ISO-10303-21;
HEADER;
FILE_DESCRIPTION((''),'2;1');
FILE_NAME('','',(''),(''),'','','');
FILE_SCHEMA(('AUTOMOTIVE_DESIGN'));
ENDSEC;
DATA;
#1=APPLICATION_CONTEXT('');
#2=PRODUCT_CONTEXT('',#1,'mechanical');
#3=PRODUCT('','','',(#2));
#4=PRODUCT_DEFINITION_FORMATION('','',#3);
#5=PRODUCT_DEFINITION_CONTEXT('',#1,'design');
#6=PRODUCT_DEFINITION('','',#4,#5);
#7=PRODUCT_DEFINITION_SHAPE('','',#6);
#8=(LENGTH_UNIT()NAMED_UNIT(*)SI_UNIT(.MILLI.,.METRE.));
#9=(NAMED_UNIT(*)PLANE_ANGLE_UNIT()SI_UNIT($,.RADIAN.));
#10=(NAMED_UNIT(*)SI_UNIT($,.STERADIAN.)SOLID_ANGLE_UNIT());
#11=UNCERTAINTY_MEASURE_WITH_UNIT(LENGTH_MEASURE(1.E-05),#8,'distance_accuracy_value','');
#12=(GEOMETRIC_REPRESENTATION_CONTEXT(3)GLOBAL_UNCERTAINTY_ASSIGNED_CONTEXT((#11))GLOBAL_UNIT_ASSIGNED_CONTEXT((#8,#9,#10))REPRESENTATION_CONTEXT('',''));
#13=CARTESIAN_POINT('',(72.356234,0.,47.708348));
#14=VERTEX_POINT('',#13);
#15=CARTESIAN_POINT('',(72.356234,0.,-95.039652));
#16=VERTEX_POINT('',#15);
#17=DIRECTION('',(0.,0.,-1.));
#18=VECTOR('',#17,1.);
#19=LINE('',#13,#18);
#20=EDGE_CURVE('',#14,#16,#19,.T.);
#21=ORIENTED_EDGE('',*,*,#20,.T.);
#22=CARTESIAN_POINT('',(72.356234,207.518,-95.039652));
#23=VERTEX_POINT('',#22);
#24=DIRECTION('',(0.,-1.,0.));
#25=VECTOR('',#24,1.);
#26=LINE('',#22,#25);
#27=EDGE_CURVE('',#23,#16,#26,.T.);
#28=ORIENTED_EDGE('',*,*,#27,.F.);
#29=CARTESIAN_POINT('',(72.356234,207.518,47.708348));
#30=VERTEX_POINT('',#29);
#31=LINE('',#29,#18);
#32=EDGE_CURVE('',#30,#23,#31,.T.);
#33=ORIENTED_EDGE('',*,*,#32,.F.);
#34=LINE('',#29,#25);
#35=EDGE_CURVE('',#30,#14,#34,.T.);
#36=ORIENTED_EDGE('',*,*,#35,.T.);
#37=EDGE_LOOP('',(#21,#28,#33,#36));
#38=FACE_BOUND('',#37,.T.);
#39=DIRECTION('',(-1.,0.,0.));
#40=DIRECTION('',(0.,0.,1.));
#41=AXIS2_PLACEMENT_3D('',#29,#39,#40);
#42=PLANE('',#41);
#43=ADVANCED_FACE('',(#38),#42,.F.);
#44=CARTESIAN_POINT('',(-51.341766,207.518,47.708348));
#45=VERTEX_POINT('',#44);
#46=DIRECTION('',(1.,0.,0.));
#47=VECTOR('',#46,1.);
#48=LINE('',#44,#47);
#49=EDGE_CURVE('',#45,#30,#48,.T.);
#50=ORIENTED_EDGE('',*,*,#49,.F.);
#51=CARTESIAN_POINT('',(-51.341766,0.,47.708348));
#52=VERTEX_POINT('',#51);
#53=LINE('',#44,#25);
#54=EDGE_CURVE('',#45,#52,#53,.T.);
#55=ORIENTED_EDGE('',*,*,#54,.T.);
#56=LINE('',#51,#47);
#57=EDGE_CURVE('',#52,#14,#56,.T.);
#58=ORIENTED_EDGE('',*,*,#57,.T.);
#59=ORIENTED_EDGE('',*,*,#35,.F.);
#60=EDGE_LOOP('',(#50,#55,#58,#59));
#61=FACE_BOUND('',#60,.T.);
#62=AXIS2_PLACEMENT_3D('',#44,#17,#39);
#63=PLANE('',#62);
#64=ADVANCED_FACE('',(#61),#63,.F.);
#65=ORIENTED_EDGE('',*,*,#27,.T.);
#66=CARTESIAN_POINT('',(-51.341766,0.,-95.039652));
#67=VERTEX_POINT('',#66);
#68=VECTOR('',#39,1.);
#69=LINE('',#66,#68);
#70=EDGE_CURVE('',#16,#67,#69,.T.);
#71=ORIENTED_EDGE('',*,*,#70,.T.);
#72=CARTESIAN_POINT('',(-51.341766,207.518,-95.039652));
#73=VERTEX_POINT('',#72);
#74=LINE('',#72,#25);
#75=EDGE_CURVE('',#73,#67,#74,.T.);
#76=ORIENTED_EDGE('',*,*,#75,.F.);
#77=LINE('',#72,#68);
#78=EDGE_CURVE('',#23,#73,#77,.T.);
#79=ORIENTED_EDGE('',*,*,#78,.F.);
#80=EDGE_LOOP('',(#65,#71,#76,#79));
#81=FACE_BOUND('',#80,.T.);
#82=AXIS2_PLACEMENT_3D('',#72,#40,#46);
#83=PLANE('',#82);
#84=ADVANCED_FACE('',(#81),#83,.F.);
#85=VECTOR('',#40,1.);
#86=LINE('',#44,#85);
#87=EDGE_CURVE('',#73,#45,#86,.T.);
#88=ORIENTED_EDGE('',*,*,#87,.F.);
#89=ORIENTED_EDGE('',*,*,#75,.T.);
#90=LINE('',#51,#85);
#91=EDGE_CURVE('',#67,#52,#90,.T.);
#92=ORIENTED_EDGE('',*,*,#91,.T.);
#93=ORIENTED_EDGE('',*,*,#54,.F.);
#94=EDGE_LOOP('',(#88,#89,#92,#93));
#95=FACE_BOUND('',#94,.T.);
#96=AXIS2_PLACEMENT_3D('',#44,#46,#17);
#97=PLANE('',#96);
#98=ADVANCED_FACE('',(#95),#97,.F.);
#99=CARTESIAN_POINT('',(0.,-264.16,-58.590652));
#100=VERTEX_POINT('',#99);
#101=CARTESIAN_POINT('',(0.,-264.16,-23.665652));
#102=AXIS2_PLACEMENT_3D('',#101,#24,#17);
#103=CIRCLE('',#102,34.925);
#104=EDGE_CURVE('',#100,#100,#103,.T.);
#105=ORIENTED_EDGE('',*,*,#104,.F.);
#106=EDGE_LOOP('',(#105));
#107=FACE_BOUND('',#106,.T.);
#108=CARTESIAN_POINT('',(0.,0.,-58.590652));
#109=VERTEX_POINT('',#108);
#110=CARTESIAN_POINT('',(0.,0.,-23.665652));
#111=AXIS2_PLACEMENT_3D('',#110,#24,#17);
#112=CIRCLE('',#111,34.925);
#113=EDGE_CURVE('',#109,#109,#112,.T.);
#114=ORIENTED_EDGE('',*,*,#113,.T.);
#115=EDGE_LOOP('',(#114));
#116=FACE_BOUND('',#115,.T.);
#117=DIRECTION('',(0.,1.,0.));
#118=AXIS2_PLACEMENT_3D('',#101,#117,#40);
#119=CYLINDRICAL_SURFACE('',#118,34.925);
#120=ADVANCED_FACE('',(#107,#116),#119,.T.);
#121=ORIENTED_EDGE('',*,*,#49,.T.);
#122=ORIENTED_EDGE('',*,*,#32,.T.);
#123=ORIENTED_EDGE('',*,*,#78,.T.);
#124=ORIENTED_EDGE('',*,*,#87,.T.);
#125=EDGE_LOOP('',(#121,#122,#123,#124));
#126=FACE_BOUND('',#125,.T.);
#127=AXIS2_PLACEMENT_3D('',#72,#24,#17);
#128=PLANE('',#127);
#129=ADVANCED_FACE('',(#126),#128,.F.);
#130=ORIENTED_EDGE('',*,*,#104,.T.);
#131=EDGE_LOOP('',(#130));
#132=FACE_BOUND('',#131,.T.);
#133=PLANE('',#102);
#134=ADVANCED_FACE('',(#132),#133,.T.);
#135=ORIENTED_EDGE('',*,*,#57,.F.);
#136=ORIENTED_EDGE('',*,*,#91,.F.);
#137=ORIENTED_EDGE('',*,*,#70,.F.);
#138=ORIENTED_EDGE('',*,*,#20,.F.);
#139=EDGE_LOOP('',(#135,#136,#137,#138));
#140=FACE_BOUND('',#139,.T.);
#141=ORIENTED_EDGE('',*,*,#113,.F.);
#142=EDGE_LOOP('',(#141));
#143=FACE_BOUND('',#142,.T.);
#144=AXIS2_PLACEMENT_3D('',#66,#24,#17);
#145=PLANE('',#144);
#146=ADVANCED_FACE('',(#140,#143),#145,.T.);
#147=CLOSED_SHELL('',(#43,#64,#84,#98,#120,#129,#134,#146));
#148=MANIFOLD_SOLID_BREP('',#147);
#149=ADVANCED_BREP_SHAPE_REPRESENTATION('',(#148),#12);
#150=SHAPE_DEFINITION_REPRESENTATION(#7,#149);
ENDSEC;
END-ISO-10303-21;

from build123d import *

# Parameters (mm, degrees)
SKETCH1_W      = 123.698
SKETCH1_H      = 142.748
EXTRUDE1_DEPTH = 207.518
SKETCH2_R      = 34.925
EXTRUDE2_DEPTH = 264.16


with BuildPart() as part:
    # Sketch1 → Extrude1 (new body)
    with BuildSketch(Plane(origin=(0, 0, 0), x_dir=(1, 0, 0), z_dir=(0, 1, 0))):
        with Locations((10.507234487, 23.665651739)):
            Rectangle(SKETCH1_W, SKETCH1_H)
    extrude(amount=EXTRUDE1_DEPTH)

    # Sketch2 → Extrude2 (add)
    with BuildSketch(Plane.XZ):
        with Locations(Location((0, -23.665651739, 0), (0, 0, 270))):
            Circle(SKETCH2_R)
    extrude(amount=EXTRUDE2_DEPTH)


solid = part.part
